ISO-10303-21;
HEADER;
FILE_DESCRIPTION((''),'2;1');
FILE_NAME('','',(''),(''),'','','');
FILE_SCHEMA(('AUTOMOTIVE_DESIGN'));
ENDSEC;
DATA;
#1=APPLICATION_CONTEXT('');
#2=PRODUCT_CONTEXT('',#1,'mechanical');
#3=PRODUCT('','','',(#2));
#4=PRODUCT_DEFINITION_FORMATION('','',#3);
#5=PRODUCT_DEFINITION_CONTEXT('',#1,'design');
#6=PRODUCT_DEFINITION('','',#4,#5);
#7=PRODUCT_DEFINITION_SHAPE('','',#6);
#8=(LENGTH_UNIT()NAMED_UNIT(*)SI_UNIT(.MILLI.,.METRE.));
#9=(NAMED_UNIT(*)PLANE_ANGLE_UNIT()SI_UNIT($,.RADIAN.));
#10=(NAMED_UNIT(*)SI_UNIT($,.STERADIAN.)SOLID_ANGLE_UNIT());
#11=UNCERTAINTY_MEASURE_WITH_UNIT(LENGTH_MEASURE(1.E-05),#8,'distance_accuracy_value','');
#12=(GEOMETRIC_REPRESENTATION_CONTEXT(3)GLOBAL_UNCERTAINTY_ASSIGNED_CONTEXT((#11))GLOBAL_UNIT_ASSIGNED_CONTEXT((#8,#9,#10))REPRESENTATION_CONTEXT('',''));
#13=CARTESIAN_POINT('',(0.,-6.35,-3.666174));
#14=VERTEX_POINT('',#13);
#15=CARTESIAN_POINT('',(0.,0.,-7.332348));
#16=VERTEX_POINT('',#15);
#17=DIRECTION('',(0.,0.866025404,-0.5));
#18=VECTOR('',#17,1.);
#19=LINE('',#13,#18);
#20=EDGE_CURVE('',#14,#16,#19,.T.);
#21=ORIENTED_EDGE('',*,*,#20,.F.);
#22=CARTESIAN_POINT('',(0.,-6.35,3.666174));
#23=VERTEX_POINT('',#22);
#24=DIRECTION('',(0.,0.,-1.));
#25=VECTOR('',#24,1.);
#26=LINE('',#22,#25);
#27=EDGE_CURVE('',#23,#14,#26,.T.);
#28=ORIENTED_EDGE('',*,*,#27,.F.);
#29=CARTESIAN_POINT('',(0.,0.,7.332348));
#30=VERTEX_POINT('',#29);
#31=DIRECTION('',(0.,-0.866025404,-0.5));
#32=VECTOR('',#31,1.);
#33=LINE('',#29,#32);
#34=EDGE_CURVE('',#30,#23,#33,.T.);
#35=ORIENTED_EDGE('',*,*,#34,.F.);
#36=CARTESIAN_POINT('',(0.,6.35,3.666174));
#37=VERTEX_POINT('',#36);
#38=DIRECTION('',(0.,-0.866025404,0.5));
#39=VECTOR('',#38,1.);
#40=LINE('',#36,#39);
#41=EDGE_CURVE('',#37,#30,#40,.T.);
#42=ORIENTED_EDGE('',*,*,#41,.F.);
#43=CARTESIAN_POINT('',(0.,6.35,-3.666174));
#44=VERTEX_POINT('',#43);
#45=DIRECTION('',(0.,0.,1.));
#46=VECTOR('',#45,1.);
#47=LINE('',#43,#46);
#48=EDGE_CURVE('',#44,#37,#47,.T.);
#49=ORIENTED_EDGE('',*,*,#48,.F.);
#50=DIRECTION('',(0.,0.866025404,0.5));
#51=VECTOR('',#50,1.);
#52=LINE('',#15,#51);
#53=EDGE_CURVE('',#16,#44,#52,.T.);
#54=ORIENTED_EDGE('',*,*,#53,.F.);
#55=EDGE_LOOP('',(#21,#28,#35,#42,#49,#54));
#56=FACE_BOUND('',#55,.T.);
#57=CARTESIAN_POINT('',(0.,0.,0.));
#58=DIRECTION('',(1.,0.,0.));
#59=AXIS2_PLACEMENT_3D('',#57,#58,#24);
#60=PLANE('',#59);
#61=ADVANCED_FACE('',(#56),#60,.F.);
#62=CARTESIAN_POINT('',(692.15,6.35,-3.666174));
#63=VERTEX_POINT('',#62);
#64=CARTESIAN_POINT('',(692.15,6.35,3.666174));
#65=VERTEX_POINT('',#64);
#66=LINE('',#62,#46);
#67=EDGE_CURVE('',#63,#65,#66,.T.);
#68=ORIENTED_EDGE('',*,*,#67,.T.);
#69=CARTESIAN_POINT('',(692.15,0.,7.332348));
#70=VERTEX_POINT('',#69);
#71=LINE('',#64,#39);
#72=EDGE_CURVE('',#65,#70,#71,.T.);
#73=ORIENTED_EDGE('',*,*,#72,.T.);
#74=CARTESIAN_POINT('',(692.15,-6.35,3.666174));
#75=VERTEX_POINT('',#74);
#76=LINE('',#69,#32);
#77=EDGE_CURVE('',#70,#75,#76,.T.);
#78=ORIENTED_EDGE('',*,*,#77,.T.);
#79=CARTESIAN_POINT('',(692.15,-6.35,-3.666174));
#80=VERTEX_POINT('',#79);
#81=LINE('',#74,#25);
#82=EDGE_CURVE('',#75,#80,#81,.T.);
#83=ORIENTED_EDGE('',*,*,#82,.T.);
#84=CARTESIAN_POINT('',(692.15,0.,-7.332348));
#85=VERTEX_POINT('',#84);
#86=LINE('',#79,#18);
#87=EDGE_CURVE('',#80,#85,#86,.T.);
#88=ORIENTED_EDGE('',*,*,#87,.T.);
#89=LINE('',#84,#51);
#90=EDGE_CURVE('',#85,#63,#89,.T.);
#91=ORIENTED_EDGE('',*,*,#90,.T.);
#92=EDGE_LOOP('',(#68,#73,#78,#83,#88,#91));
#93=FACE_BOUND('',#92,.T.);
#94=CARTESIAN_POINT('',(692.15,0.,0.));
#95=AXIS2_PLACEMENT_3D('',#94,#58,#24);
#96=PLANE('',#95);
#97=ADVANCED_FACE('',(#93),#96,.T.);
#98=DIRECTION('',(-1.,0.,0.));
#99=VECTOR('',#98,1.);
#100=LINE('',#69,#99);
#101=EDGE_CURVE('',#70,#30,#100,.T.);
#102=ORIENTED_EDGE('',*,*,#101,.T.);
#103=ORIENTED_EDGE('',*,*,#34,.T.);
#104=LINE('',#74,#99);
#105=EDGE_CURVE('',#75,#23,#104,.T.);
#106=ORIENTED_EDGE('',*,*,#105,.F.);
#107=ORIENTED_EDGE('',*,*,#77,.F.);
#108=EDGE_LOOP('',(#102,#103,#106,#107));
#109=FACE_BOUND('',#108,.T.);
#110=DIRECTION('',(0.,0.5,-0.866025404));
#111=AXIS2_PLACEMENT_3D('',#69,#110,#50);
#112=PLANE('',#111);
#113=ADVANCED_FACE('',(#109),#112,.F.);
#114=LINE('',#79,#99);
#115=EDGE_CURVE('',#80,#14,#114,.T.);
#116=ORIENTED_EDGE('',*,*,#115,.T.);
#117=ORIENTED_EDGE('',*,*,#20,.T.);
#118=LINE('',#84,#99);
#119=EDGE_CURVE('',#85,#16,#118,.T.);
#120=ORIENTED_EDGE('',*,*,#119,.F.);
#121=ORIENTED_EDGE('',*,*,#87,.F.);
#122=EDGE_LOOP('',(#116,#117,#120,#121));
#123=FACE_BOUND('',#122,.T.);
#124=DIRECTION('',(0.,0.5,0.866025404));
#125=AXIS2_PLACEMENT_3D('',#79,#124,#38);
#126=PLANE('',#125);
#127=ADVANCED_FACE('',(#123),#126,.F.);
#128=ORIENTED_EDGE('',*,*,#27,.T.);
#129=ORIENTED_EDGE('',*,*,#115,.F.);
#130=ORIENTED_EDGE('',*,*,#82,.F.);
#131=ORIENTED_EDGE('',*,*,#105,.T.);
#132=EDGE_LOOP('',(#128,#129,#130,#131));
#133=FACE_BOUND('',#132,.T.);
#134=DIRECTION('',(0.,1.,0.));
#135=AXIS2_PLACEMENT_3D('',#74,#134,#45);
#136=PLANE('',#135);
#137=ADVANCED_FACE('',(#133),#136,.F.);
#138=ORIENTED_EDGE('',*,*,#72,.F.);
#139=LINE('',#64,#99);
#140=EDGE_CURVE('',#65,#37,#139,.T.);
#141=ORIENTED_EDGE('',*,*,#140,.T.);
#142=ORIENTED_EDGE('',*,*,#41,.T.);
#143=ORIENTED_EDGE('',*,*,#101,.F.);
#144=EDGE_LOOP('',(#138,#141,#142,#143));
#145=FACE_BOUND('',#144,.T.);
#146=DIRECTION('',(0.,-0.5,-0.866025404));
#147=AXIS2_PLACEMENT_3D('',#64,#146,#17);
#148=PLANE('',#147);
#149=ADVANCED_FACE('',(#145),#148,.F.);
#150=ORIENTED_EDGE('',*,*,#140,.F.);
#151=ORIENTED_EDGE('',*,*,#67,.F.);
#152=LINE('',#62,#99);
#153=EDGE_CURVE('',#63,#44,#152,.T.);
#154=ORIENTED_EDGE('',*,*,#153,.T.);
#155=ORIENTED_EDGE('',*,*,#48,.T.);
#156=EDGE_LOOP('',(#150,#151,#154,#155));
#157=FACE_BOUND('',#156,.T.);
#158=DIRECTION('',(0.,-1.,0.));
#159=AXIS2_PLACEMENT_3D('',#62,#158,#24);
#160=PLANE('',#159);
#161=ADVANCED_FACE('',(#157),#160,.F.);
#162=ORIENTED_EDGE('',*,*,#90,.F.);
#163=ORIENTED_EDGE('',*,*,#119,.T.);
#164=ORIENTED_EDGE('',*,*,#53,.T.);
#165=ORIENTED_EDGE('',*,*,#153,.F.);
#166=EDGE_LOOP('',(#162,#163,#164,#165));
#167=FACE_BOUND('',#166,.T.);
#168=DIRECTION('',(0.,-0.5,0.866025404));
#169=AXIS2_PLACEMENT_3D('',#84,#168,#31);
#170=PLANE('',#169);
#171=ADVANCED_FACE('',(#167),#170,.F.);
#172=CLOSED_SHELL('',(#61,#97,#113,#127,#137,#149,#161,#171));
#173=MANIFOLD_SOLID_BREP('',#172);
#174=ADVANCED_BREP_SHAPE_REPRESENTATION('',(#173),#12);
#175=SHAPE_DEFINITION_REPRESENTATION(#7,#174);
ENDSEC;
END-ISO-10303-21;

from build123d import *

# Parameters (mm, degrees)
BOSS_EXTRUDE1_DEPTH = 692.15


with BuildPart() as part:
    # Sketch1 → Boss-Extrude1 (new body)
    with BuildSketch(Plane(origin=(0, 0, 0), x_dir=(0, 0, -1), z_dir=(1, 0, 0))):
        Polygon((7.332348419, 0), (3.666174209, 6.35), (-3.666174209, 6.35), (-7.332348419, 0), (-3.666174209, -6.35), (3.666174209, -6.35), align=None)
    extrude(amount=BOSS_EXTRUDE1_DEPTH)


solid = part.part
